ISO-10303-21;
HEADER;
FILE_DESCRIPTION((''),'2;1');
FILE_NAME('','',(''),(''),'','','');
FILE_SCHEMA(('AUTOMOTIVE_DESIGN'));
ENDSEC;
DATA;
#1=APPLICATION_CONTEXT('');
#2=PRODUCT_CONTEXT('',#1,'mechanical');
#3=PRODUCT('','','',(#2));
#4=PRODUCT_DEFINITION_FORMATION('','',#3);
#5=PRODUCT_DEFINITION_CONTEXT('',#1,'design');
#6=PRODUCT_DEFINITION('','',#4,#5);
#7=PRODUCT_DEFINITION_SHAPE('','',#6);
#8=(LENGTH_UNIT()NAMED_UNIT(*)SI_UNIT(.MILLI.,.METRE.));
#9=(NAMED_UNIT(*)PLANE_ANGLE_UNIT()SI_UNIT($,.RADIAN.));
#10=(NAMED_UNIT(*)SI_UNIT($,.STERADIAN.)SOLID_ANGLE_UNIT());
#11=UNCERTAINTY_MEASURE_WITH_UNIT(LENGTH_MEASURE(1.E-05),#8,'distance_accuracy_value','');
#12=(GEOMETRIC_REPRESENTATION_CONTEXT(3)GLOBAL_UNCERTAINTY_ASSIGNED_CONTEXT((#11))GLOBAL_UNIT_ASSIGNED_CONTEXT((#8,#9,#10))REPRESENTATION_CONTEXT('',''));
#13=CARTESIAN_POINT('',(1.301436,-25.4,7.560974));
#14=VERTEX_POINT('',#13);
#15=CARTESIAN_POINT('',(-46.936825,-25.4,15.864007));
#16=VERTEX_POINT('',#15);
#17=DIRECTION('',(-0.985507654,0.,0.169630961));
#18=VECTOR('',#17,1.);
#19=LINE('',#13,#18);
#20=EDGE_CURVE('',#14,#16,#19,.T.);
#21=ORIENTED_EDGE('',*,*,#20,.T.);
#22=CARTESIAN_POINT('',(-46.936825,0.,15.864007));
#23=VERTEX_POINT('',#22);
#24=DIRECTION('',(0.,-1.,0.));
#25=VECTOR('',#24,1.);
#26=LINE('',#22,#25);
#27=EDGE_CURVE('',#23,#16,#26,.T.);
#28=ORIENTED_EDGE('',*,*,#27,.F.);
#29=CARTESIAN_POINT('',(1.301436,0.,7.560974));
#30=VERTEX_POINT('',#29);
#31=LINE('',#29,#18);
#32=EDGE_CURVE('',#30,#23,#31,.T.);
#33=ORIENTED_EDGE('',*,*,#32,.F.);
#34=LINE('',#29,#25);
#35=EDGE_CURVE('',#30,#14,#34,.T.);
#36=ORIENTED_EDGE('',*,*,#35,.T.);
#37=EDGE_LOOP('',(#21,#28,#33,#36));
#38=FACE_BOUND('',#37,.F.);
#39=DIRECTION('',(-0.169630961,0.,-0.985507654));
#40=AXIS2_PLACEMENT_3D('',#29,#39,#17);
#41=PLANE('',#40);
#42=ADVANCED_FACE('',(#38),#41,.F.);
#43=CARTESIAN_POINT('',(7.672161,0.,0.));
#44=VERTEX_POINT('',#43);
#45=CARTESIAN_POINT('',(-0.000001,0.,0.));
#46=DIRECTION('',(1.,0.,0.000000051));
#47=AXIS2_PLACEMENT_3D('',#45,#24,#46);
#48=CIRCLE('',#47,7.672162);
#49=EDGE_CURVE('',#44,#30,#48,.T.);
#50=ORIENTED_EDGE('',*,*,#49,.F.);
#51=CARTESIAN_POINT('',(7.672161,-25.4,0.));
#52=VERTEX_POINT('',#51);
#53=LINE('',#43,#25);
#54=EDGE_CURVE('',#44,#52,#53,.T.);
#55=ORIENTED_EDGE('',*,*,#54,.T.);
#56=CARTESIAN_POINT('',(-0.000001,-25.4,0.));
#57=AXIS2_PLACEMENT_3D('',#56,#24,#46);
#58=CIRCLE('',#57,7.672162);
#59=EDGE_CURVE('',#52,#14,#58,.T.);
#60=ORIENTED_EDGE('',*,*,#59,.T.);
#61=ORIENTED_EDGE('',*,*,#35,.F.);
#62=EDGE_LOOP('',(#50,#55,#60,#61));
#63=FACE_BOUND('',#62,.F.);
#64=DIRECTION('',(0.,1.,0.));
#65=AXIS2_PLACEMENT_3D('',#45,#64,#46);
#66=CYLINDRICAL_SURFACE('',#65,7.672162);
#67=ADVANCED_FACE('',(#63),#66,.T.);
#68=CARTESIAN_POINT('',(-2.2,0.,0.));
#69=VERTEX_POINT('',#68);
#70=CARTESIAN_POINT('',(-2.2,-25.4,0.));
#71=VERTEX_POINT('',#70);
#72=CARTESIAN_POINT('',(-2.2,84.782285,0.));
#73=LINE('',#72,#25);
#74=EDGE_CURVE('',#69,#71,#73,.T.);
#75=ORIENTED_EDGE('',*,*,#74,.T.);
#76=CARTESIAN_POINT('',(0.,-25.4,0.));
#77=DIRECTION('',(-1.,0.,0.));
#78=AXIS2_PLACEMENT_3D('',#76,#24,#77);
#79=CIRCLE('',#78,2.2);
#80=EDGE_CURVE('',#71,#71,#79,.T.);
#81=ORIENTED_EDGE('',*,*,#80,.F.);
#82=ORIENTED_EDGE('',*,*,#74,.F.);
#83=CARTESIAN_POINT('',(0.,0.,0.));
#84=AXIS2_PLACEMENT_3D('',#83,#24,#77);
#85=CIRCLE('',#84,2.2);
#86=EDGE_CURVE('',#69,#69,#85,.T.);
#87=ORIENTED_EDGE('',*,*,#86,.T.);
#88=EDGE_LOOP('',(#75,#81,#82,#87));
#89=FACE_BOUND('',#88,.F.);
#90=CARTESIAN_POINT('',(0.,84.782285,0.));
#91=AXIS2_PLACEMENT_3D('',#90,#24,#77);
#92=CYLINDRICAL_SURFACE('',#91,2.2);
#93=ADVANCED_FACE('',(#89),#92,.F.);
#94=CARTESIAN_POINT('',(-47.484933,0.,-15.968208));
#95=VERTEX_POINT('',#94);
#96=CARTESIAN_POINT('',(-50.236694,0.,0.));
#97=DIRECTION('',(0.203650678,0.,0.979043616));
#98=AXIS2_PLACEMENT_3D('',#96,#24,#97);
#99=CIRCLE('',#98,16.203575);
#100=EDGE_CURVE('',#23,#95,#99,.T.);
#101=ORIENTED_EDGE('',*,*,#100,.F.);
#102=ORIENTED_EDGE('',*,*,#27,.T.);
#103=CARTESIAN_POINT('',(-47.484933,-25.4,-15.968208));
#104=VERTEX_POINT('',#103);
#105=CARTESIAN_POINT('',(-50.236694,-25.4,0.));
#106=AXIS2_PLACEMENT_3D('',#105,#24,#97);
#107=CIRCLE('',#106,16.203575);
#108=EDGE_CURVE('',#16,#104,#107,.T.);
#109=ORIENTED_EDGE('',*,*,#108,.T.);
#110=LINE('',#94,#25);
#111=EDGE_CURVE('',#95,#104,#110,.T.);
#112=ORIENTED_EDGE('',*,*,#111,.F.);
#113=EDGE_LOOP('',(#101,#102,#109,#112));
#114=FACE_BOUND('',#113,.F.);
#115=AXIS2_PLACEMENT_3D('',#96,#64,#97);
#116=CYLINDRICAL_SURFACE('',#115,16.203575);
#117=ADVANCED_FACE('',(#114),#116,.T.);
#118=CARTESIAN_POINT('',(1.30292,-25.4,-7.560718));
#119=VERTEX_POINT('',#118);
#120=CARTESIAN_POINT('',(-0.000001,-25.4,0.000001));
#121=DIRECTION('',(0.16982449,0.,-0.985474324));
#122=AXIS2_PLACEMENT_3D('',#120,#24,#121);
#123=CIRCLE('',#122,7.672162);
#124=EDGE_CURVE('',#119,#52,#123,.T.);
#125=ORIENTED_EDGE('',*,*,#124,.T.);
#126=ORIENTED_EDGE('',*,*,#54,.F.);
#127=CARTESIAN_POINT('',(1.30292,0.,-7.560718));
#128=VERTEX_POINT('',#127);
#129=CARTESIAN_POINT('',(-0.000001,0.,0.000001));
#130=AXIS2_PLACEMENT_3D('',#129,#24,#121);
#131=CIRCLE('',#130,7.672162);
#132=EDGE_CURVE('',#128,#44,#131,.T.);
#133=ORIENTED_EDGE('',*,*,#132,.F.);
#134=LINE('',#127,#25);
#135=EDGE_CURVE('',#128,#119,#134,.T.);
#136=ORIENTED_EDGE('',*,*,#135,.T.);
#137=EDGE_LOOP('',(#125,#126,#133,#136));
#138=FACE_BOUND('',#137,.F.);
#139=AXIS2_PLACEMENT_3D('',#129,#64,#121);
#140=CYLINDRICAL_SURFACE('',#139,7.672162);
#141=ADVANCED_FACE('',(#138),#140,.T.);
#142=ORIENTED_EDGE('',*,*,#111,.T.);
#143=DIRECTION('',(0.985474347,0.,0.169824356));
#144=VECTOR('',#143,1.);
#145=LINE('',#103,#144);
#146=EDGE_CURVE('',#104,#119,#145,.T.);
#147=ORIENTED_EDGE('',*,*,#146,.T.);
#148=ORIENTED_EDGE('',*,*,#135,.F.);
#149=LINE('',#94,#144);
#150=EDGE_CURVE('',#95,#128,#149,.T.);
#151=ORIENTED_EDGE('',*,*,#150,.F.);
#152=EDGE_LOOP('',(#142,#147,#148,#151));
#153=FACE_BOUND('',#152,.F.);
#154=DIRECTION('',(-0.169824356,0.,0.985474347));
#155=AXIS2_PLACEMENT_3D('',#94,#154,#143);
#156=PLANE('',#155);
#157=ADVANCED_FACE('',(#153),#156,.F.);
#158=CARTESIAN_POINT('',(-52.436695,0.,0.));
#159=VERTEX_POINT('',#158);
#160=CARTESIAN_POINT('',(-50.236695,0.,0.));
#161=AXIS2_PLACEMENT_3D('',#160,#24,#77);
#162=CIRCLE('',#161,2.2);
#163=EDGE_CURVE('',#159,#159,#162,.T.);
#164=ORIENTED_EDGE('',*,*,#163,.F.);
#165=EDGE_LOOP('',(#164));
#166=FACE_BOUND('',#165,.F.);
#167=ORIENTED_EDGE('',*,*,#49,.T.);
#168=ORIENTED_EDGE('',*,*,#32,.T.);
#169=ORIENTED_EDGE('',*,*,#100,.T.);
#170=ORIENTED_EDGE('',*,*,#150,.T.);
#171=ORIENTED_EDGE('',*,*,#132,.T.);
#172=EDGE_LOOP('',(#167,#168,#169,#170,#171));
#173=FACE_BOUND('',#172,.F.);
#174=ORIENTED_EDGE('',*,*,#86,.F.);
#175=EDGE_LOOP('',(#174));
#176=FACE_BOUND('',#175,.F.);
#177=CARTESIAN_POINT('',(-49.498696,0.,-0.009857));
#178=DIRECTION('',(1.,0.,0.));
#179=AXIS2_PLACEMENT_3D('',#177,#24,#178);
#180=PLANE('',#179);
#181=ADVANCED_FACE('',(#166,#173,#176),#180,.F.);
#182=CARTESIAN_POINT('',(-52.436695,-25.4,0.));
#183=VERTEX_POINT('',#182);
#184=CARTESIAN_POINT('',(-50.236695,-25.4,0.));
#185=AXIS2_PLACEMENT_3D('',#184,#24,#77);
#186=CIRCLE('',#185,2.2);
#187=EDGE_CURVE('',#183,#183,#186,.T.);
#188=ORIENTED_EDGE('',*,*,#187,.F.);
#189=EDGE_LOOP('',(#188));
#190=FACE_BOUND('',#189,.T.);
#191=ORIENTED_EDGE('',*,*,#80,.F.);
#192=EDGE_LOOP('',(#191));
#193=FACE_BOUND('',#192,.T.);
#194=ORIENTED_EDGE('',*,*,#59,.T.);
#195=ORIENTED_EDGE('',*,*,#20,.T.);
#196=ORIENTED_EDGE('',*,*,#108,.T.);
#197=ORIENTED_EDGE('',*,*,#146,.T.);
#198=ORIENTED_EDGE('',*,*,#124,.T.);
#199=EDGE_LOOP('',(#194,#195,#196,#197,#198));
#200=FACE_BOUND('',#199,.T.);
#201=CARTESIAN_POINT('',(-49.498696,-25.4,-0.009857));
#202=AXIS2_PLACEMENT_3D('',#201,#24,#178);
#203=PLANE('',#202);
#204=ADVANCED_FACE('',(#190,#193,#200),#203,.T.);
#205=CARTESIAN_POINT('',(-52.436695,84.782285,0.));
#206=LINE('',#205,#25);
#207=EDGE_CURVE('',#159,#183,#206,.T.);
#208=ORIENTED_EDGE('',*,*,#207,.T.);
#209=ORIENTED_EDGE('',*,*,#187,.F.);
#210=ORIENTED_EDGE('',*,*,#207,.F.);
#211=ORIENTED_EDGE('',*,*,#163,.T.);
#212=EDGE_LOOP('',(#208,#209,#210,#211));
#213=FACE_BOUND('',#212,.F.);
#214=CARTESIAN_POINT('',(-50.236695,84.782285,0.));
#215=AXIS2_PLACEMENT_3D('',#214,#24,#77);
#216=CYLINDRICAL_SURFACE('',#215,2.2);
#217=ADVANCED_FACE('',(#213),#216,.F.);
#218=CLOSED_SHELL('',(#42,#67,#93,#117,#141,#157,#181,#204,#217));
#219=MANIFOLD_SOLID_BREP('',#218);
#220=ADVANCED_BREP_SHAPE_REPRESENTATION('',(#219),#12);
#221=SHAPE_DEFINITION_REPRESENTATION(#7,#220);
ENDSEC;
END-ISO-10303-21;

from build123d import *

# Parameters (mm, degrees)
F1_DEPTH = 25.4
F2_D     = 4.4


with BuildPart() as f1:
    # F0 (on Front) → F1 (new body)
    with BuildSketch(Plane.XZ):
        with BuildLine():
            ThreePointArc((-47.484933, -15.968208), (-37.844273, -10.439528), (-34.033119, 0))
            ThreePointArc((-34.033119, 0), (-37.666382, 10.224631), (-46.936825, 15.864007))
            ThreePointArc((-46.936825, 15.864007), (-66.437868, 0.278962), (-47.484933, -15.968208))
        make_face()
        with BuildLine():
            ThreePointArc((-46.936825, 15.864007), (-37.666382, 10.224631), (-34.033119, 0))
            ThreePointArc((-34.033119, 0), (-37.844273, -10.439528), (-47.484933, -15.968208))
            Line((-47.484933, -15.968208), (1.30292, -7.560718))
            ThreePointArc((1.30292, -7.560718), (-7.672161, -0.000753), (1.301436, 7.560974))
            Line((1.301436, 7.560974), (-46.936825, 15.864007))
        make_face()
        with BuildLine():
            ThreePointArc((7.672161, 0), (5.867149, 4.943543), (1.301436, 7.560974))
            ThreePointArc((1.301436, 7.560974), (-7.672161, -0.000753), (1.30292, -7.560718))
            ThreePointArc((1.30292, -7.560718), (5.867634, -4.942967), (7.672161, 0))
        make_face()
    extrude(amount=F1_DEPTH)

    # F2 (through all)
    with Locations(Plane(origin=(0, 0, 0), x_dir=(1, 0, 0), z_dir=(0, 1, 0))):
        with Locations((-50.236695, 0), (0, 0)):
            Hole(F2_D / 2)


solid = f1.part
